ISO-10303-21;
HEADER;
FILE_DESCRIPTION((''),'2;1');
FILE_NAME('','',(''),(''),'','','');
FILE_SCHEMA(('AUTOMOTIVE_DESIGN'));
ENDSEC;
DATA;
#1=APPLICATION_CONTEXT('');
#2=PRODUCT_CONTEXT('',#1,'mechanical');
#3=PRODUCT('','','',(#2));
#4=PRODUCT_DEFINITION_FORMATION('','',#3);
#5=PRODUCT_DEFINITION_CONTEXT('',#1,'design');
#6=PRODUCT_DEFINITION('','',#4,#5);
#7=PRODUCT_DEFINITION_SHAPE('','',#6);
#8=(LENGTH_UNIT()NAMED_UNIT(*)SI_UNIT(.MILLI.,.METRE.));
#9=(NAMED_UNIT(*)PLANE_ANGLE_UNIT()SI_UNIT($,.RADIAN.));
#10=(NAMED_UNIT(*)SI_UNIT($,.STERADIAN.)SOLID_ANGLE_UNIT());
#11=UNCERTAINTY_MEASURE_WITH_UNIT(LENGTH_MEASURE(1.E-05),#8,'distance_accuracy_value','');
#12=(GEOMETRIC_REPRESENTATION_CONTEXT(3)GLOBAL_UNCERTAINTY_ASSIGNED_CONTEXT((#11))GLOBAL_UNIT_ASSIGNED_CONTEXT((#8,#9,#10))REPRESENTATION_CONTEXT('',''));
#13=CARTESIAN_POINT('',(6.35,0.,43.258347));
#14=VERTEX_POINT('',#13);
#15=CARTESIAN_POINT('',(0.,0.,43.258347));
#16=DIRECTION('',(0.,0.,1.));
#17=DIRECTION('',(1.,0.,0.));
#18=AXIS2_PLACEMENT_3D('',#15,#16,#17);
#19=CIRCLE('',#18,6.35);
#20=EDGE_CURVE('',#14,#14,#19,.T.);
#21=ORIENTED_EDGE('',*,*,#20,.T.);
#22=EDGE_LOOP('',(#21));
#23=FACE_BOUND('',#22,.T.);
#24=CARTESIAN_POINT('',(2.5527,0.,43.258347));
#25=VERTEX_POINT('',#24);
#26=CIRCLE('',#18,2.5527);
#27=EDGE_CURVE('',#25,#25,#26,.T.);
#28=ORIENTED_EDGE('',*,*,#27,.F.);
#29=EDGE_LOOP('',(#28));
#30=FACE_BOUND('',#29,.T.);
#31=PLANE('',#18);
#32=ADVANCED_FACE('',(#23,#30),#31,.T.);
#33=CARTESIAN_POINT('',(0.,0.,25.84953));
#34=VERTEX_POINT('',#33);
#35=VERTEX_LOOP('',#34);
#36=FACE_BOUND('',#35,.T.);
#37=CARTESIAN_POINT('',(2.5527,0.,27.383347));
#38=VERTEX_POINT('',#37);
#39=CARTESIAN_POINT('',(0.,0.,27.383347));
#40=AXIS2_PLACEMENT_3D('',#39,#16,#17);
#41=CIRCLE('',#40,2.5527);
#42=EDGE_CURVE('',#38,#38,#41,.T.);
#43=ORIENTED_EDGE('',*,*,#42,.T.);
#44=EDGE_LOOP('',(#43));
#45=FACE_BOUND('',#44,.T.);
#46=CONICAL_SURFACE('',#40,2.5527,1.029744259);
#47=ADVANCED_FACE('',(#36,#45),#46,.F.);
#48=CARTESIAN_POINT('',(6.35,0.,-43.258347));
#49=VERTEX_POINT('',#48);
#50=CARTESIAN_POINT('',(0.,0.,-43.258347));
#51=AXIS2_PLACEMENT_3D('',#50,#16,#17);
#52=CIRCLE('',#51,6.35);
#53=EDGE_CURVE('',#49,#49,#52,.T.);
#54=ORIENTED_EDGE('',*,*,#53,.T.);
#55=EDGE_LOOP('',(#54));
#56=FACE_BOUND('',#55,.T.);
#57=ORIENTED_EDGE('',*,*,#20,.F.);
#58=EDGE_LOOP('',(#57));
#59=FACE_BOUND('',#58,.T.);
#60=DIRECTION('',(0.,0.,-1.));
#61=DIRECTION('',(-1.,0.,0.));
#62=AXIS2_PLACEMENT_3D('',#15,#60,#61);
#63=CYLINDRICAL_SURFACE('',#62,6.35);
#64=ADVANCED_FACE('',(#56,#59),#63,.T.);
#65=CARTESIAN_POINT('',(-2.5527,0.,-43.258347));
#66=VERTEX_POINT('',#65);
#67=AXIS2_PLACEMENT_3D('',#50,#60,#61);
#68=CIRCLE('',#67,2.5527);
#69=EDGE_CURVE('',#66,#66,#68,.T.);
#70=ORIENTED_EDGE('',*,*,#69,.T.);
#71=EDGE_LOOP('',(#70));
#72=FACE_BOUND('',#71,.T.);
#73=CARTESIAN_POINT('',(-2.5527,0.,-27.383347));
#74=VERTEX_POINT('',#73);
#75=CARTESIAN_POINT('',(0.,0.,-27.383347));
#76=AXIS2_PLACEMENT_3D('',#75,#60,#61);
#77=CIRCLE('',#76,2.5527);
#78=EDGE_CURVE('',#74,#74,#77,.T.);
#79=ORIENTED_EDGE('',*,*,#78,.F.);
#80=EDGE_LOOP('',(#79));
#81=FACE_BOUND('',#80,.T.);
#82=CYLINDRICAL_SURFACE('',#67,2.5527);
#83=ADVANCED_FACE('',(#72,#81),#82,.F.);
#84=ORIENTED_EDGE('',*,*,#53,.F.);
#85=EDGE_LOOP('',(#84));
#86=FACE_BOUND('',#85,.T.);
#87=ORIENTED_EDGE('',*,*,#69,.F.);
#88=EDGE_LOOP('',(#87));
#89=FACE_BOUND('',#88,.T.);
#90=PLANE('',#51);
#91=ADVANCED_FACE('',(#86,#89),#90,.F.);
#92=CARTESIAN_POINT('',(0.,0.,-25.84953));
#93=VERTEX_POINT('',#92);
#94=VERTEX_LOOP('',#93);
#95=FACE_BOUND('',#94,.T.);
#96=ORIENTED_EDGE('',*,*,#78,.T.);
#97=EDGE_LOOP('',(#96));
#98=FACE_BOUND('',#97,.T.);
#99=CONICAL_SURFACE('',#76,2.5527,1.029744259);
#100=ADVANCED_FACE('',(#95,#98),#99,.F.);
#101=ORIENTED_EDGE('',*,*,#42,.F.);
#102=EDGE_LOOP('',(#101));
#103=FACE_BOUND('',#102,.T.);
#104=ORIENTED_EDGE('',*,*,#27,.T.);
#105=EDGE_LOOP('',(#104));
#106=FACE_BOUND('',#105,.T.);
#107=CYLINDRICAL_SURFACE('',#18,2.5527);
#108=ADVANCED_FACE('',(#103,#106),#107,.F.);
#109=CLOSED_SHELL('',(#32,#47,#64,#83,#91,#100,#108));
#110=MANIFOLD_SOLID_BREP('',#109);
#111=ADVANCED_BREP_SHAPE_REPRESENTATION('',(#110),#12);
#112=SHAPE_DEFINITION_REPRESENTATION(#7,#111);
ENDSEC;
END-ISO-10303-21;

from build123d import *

# Parameters (mm, degrees)
SKETCH1_R           = 6.35
BOSS_EXTRUDE1_DEPTH = 43.258347316


with BuildPart() as part:
    # Sketch1 → Boss-Extrude1 (new, symmetric)
    with BuildSketch(Plane.XY):
        Circle(SKETCH1_R)
    extrude(amount=BOSS_EXTRUDE1_DEPTH, both=True)

    # Sketch3 → Tap Drill for 1/4-20 Tap1 (revolve, cut)
    with BuildSketch(Plane(origin=(0, 0, 43.258347316), x_dir=(0, -1, 0), z_dir=(1, 0, 0))):
        Polygon((0, 0), (0, 17.408816902), (2.5527, 15.875), (2.5527, 0), align=None)
    tap_drill_for_1_4_20_tap1 = revolve(axis=Axis((0, 0, 49.608347316), (0, 0, -1)), mode=Mode.SUBTRACT)

    # Mirror1: Tap Drill for 1/4-20 Tap1 across plane
    add(tap_drill_for_1_4_20_tap1.mirror(Plane.XY), mode=Mode.SUBTRACT)


solid = part.part
